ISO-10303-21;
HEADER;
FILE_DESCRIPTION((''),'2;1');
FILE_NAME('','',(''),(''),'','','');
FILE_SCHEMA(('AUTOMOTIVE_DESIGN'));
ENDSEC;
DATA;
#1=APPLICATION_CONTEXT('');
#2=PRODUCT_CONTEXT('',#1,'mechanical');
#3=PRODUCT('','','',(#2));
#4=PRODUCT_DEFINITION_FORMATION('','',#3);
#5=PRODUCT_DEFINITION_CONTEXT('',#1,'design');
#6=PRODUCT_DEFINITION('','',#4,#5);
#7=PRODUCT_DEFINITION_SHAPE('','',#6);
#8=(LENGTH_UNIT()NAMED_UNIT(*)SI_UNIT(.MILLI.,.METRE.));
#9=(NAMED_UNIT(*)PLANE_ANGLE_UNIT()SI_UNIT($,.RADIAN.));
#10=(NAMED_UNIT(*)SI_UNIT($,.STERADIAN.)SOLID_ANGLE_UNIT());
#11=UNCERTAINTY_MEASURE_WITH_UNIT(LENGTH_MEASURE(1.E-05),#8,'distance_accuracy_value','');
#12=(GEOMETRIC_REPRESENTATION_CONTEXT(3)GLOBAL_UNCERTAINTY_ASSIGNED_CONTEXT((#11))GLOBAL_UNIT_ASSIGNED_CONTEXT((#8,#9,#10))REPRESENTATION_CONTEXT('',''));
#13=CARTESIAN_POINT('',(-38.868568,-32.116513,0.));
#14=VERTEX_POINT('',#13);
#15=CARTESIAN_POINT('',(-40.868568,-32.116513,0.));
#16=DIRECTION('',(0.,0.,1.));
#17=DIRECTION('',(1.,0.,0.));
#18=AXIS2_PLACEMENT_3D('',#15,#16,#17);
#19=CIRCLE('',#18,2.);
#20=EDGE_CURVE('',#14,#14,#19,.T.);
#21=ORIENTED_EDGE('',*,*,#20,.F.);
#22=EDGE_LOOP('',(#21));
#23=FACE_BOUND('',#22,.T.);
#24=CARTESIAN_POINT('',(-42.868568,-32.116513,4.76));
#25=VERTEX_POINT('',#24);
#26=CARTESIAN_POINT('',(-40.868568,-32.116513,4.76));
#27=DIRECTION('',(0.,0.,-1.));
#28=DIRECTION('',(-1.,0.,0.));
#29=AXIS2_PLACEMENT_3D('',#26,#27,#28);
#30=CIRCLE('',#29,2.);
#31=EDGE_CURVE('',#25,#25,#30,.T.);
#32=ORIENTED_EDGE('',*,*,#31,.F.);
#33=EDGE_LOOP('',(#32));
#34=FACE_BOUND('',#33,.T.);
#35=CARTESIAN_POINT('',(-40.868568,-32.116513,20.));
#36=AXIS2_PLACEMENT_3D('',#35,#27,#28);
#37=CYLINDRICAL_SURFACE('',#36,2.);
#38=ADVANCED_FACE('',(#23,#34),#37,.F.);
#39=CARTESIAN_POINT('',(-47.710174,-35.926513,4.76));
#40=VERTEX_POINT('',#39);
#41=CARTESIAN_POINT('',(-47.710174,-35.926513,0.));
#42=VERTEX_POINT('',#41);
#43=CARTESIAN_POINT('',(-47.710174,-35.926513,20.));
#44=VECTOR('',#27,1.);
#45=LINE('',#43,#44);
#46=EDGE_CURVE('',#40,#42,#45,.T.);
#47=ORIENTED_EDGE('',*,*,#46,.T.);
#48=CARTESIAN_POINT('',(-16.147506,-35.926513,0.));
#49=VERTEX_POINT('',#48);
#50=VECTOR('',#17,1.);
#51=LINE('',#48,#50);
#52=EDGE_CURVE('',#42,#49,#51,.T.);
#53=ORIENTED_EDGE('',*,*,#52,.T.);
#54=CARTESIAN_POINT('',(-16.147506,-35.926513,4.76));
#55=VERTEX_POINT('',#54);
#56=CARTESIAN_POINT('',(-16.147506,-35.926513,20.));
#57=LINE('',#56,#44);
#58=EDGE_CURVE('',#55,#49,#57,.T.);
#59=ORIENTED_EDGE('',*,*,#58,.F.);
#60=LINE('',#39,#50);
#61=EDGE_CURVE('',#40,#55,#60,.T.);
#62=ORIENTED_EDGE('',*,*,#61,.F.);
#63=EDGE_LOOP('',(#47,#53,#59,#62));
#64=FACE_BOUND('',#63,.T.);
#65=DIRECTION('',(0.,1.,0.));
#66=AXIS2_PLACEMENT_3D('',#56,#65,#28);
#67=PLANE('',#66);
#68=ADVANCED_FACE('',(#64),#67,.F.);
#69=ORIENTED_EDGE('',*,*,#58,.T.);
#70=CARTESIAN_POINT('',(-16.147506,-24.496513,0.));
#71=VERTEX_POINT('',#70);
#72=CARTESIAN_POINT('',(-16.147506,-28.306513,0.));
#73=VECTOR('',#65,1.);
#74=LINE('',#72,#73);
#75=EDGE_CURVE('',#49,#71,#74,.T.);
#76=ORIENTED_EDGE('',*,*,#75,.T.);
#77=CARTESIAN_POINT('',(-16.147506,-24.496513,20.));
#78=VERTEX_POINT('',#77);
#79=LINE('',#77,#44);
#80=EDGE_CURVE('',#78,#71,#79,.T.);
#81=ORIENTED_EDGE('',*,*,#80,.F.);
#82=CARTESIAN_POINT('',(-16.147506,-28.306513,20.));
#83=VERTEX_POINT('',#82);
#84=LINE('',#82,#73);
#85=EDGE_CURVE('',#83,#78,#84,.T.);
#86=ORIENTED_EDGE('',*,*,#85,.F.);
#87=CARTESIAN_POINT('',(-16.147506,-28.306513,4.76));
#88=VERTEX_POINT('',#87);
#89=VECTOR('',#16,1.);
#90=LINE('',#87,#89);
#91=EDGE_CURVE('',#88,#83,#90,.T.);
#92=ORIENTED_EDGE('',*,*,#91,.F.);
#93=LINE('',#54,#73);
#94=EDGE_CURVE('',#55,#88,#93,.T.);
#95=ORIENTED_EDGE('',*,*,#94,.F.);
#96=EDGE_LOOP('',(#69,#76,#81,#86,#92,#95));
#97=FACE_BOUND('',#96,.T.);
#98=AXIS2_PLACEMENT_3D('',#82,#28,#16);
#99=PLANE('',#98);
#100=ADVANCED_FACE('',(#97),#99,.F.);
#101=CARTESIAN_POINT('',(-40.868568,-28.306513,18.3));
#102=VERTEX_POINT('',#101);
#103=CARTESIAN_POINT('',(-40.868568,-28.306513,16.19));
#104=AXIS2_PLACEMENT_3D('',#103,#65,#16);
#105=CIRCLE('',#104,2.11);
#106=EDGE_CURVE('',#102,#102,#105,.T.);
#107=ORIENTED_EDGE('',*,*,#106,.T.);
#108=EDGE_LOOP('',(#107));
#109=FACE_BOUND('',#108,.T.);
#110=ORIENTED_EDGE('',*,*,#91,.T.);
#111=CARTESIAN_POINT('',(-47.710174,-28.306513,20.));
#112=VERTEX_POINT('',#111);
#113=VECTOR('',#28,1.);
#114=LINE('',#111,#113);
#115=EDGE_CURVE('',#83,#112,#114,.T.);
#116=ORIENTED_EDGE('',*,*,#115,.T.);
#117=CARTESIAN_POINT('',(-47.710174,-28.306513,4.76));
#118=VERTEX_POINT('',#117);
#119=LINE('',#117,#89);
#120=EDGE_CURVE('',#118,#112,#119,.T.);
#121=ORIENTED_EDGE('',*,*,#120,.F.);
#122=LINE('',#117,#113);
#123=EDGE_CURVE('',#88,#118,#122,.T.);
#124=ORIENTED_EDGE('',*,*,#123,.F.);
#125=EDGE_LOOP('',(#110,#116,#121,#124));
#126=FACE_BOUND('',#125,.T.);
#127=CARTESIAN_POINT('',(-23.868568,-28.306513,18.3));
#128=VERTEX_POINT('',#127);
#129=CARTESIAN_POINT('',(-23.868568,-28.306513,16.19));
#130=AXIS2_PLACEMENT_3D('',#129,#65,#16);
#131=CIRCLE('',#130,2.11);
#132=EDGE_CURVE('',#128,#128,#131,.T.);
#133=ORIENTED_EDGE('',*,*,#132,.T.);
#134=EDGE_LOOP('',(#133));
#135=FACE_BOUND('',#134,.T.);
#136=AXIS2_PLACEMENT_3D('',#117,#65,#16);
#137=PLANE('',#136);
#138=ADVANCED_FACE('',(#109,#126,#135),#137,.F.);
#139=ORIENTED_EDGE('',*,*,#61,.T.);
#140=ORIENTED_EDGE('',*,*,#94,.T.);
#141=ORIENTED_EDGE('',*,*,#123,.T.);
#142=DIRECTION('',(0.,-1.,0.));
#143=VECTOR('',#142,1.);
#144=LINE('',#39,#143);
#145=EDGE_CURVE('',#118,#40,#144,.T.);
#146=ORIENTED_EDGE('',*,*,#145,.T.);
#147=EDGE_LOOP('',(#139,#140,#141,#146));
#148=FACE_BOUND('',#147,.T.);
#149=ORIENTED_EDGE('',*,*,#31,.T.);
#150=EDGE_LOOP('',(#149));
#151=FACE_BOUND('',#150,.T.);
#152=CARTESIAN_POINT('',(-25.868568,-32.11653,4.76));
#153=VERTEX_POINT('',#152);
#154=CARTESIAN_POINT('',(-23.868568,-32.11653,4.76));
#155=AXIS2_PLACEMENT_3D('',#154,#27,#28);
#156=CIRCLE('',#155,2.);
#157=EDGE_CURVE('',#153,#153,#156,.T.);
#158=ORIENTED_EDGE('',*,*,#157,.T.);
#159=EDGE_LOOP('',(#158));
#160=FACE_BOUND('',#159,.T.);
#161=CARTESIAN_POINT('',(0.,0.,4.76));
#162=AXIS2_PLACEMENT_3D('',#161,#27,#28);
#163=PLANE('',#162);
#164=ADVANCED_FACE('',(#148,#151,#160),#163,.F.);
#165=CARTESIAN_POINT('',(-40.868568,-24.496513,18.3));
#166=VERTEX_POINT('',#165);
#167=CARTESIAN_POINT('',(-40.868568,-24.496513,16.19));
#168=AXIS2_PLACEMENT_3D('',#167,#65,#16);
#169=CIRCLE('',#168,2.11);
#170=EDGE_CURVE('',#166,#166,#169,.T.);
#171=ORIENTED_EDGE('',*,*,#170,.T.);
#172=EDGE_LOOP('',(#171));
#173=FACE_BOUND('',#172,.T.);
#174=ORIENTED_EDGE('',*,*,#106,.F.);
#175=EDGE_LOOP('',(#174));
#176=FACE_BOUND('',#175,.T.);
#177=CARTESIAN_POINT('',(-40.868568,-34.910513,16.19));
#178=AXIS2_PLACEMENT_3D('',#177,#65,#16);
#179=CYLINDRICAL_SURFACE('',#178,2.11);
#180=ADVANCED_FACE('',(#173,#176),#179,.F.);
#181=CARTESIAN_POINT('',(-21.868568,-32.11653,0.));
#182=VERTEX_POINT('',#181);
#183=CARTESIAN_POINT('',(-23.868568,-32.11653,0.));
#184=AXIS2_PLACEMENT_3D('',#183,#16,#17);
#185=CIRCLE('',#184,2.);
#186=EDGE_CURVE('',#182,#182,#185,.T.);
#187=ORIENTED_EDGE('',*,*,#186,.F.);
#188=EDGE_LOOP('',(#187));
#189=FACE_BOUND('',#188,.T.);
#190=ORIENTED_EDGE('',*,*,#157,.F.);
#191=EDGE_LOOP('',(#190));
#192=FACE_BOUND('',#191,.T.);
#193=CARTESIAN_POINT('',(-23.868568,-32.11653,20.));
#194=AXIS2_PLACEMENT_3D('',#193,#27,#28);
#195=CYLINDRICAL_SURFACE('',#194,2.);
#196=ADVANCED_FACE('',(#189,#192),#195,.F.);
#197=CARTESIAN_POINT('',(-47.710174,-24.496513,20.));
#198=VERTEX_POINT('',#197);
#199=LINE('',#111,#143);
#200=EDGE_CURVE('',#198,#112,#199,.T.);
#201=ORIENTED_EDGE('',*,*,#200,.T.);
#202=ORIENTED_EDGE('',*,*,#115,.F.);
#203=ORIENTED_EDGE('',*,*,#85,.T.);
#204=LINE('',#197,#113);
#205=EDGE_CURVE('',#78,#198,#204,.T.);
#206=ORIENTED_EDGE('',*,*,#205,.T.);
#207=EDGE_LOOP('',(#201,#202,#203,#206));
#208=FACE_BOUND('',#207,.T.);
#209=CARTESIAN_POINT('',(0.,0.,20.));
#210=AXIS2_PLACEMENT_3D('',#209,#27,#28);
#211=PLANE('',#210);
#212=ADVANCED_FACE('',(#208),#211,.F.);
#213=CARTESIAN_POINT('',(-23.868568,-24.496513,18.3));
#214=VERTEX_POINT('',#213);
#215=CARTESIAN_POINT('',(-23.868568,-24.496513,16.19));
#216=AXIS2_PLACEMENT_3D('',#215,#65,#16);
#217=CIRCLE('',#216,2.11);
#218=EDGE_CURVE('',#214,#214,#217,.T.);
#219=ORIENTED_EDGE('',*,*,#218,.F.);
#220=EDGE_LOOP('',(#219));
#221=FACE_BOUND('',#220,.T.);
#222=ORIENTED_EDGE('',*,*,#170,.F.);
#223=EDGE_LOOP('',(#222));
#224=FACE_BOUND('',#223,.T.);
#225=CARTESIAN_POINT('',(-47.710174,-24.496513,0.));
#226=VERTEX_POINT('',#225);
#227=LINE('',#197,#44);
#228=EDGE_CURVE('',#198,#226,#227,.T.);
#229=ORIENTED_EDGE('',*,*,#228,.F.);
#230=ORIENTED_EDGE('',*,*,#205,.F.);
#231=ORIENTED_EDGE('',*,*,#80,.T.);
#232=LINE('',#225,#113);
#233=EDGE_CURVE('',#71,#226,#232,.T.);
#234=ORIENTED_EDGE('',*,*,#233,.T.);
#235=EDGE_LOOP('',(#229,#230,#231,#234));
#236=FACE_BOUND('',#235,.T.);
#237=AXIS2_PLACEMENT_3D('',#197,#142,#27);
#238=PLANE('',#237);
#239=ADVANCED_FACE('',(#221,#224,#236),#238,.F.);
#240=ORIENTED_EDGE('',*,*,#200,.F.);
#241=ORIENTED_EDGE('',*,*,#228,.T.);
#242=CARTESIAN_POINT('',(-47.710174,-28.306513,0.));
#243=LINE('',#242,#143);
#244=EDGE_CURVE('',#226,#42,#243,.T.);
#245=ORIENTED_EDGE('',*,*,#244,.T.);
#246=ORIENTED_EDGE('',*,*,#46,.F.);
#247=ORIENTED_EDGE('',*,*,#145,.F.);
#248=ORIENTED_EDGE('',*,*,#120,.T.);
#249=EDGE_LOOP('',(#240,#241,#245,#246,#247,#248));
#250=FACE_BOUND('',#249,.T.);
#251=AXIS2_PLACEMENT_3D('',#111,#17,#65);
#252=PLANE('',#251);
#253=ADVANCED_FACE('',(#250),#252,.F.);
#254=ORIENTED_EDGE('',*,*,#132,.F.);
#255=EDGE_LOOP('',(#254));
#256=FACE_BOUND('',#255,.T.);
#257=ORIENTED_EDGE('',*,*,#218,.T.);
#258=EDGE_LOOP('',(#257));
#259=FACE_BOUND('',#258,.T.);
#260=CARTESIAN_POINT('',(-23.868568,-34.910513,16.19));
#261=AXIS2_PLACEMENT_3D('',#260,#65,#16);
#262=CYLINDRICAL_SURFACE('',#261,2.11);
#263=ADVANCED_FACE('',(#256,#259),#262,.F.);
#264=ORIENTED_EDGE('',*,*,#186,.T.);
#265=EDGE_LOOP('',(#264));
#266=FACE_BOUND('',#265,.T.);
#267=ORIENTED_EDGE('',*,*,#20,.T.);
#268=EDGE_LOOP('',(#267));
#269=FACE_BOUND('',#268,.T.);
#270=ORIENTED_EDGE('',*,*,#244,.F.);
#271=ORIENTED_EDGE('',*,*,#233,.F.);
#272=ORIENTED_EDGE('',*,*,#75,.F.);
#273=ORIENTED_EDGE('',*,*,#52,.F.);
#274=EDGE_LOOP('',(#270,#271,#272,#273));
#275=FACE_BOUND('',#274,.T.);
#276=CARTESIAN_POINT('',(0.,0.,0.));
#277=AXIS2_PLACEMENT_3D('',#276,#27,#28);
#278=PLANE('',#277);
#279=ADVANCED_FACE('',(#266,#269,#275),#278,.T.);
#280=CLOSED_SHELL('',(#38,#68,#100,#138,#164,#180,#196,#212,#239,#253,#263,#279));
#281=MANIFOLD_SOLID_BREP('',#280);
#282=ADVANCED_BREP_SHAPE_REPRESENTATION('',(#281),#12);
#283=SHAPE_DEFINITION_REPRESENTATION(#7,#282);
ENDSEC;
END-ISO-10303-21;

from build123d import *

# Parameters (mm, degrees)
SKETCH1_R           = 2
BOSS_EXTRUDE1_DEPTH = 20
SKETCH2_W           = 31.562668847
SKETCH2_H           = 7.62
CUT_EXTRUDE1_DEPTH  = 15.24
SKETCH5_R           = 2.11
CUT_EXTRUDE2_DEPTH  = 10.414


with BuildPart() as part:
    # Sketch1 → Boss-Extrude1 (new body)
    with BuildSketch(Plane.XY):
        Polygon((-16.147505616, -28.306513497), (-16.147505616, -35.926513497), (-47.710174463, -35.926513497), (-47.710174463, -28.306513497), (-47.710174463, -24.496513497), (-16.147505616, -24.496513497), align=None)
        with Locations((-40.868568225, -32.116513497)):
            Circle(SKETCH1_R, mode=Mode.SUBTRACT)
        with Locations((-23.868568225, -32.116530453)):
            Circle(SKETCH1_R, mode=Mode.SUBTRACT)
    extrude(amount=BOSS_EXTRUDE1_DEPTH)

    # Sketch2 → Cut-Extrude1 (cut)
    with BuildSketch(Plane.XY.offset(20)):
        with Locations((-31.92884004, -32.116513497)):
            Rectangle(SKETCH2_W, SKETCH2_H)
    extrude(amount=-CUT_EXTRUDE1_DEPTH, mode=Mode.SUBTRACT)

    # Sketch5 → Cut-Extrude2 (cut)
    with BuildSketch(Plane(origin=(0, -24.496513497, 0), x_dir=(1, 0, 0), z_dir=(0, 1, 0))):
        with Locations(Location((-23.868568225, -16.19, 0), (0, 0, 270))):
            Circle(SKETCH5_R)
        with Locations(Location((-40.868568225, -16.19, 0), (0, 0, 270))):
            Circle(SKETCH5_R)
    extrude(amount=-CUT_EXTRUDE2_DEPTH, mode=Mode.SUBTRACT)


solid = part.part
